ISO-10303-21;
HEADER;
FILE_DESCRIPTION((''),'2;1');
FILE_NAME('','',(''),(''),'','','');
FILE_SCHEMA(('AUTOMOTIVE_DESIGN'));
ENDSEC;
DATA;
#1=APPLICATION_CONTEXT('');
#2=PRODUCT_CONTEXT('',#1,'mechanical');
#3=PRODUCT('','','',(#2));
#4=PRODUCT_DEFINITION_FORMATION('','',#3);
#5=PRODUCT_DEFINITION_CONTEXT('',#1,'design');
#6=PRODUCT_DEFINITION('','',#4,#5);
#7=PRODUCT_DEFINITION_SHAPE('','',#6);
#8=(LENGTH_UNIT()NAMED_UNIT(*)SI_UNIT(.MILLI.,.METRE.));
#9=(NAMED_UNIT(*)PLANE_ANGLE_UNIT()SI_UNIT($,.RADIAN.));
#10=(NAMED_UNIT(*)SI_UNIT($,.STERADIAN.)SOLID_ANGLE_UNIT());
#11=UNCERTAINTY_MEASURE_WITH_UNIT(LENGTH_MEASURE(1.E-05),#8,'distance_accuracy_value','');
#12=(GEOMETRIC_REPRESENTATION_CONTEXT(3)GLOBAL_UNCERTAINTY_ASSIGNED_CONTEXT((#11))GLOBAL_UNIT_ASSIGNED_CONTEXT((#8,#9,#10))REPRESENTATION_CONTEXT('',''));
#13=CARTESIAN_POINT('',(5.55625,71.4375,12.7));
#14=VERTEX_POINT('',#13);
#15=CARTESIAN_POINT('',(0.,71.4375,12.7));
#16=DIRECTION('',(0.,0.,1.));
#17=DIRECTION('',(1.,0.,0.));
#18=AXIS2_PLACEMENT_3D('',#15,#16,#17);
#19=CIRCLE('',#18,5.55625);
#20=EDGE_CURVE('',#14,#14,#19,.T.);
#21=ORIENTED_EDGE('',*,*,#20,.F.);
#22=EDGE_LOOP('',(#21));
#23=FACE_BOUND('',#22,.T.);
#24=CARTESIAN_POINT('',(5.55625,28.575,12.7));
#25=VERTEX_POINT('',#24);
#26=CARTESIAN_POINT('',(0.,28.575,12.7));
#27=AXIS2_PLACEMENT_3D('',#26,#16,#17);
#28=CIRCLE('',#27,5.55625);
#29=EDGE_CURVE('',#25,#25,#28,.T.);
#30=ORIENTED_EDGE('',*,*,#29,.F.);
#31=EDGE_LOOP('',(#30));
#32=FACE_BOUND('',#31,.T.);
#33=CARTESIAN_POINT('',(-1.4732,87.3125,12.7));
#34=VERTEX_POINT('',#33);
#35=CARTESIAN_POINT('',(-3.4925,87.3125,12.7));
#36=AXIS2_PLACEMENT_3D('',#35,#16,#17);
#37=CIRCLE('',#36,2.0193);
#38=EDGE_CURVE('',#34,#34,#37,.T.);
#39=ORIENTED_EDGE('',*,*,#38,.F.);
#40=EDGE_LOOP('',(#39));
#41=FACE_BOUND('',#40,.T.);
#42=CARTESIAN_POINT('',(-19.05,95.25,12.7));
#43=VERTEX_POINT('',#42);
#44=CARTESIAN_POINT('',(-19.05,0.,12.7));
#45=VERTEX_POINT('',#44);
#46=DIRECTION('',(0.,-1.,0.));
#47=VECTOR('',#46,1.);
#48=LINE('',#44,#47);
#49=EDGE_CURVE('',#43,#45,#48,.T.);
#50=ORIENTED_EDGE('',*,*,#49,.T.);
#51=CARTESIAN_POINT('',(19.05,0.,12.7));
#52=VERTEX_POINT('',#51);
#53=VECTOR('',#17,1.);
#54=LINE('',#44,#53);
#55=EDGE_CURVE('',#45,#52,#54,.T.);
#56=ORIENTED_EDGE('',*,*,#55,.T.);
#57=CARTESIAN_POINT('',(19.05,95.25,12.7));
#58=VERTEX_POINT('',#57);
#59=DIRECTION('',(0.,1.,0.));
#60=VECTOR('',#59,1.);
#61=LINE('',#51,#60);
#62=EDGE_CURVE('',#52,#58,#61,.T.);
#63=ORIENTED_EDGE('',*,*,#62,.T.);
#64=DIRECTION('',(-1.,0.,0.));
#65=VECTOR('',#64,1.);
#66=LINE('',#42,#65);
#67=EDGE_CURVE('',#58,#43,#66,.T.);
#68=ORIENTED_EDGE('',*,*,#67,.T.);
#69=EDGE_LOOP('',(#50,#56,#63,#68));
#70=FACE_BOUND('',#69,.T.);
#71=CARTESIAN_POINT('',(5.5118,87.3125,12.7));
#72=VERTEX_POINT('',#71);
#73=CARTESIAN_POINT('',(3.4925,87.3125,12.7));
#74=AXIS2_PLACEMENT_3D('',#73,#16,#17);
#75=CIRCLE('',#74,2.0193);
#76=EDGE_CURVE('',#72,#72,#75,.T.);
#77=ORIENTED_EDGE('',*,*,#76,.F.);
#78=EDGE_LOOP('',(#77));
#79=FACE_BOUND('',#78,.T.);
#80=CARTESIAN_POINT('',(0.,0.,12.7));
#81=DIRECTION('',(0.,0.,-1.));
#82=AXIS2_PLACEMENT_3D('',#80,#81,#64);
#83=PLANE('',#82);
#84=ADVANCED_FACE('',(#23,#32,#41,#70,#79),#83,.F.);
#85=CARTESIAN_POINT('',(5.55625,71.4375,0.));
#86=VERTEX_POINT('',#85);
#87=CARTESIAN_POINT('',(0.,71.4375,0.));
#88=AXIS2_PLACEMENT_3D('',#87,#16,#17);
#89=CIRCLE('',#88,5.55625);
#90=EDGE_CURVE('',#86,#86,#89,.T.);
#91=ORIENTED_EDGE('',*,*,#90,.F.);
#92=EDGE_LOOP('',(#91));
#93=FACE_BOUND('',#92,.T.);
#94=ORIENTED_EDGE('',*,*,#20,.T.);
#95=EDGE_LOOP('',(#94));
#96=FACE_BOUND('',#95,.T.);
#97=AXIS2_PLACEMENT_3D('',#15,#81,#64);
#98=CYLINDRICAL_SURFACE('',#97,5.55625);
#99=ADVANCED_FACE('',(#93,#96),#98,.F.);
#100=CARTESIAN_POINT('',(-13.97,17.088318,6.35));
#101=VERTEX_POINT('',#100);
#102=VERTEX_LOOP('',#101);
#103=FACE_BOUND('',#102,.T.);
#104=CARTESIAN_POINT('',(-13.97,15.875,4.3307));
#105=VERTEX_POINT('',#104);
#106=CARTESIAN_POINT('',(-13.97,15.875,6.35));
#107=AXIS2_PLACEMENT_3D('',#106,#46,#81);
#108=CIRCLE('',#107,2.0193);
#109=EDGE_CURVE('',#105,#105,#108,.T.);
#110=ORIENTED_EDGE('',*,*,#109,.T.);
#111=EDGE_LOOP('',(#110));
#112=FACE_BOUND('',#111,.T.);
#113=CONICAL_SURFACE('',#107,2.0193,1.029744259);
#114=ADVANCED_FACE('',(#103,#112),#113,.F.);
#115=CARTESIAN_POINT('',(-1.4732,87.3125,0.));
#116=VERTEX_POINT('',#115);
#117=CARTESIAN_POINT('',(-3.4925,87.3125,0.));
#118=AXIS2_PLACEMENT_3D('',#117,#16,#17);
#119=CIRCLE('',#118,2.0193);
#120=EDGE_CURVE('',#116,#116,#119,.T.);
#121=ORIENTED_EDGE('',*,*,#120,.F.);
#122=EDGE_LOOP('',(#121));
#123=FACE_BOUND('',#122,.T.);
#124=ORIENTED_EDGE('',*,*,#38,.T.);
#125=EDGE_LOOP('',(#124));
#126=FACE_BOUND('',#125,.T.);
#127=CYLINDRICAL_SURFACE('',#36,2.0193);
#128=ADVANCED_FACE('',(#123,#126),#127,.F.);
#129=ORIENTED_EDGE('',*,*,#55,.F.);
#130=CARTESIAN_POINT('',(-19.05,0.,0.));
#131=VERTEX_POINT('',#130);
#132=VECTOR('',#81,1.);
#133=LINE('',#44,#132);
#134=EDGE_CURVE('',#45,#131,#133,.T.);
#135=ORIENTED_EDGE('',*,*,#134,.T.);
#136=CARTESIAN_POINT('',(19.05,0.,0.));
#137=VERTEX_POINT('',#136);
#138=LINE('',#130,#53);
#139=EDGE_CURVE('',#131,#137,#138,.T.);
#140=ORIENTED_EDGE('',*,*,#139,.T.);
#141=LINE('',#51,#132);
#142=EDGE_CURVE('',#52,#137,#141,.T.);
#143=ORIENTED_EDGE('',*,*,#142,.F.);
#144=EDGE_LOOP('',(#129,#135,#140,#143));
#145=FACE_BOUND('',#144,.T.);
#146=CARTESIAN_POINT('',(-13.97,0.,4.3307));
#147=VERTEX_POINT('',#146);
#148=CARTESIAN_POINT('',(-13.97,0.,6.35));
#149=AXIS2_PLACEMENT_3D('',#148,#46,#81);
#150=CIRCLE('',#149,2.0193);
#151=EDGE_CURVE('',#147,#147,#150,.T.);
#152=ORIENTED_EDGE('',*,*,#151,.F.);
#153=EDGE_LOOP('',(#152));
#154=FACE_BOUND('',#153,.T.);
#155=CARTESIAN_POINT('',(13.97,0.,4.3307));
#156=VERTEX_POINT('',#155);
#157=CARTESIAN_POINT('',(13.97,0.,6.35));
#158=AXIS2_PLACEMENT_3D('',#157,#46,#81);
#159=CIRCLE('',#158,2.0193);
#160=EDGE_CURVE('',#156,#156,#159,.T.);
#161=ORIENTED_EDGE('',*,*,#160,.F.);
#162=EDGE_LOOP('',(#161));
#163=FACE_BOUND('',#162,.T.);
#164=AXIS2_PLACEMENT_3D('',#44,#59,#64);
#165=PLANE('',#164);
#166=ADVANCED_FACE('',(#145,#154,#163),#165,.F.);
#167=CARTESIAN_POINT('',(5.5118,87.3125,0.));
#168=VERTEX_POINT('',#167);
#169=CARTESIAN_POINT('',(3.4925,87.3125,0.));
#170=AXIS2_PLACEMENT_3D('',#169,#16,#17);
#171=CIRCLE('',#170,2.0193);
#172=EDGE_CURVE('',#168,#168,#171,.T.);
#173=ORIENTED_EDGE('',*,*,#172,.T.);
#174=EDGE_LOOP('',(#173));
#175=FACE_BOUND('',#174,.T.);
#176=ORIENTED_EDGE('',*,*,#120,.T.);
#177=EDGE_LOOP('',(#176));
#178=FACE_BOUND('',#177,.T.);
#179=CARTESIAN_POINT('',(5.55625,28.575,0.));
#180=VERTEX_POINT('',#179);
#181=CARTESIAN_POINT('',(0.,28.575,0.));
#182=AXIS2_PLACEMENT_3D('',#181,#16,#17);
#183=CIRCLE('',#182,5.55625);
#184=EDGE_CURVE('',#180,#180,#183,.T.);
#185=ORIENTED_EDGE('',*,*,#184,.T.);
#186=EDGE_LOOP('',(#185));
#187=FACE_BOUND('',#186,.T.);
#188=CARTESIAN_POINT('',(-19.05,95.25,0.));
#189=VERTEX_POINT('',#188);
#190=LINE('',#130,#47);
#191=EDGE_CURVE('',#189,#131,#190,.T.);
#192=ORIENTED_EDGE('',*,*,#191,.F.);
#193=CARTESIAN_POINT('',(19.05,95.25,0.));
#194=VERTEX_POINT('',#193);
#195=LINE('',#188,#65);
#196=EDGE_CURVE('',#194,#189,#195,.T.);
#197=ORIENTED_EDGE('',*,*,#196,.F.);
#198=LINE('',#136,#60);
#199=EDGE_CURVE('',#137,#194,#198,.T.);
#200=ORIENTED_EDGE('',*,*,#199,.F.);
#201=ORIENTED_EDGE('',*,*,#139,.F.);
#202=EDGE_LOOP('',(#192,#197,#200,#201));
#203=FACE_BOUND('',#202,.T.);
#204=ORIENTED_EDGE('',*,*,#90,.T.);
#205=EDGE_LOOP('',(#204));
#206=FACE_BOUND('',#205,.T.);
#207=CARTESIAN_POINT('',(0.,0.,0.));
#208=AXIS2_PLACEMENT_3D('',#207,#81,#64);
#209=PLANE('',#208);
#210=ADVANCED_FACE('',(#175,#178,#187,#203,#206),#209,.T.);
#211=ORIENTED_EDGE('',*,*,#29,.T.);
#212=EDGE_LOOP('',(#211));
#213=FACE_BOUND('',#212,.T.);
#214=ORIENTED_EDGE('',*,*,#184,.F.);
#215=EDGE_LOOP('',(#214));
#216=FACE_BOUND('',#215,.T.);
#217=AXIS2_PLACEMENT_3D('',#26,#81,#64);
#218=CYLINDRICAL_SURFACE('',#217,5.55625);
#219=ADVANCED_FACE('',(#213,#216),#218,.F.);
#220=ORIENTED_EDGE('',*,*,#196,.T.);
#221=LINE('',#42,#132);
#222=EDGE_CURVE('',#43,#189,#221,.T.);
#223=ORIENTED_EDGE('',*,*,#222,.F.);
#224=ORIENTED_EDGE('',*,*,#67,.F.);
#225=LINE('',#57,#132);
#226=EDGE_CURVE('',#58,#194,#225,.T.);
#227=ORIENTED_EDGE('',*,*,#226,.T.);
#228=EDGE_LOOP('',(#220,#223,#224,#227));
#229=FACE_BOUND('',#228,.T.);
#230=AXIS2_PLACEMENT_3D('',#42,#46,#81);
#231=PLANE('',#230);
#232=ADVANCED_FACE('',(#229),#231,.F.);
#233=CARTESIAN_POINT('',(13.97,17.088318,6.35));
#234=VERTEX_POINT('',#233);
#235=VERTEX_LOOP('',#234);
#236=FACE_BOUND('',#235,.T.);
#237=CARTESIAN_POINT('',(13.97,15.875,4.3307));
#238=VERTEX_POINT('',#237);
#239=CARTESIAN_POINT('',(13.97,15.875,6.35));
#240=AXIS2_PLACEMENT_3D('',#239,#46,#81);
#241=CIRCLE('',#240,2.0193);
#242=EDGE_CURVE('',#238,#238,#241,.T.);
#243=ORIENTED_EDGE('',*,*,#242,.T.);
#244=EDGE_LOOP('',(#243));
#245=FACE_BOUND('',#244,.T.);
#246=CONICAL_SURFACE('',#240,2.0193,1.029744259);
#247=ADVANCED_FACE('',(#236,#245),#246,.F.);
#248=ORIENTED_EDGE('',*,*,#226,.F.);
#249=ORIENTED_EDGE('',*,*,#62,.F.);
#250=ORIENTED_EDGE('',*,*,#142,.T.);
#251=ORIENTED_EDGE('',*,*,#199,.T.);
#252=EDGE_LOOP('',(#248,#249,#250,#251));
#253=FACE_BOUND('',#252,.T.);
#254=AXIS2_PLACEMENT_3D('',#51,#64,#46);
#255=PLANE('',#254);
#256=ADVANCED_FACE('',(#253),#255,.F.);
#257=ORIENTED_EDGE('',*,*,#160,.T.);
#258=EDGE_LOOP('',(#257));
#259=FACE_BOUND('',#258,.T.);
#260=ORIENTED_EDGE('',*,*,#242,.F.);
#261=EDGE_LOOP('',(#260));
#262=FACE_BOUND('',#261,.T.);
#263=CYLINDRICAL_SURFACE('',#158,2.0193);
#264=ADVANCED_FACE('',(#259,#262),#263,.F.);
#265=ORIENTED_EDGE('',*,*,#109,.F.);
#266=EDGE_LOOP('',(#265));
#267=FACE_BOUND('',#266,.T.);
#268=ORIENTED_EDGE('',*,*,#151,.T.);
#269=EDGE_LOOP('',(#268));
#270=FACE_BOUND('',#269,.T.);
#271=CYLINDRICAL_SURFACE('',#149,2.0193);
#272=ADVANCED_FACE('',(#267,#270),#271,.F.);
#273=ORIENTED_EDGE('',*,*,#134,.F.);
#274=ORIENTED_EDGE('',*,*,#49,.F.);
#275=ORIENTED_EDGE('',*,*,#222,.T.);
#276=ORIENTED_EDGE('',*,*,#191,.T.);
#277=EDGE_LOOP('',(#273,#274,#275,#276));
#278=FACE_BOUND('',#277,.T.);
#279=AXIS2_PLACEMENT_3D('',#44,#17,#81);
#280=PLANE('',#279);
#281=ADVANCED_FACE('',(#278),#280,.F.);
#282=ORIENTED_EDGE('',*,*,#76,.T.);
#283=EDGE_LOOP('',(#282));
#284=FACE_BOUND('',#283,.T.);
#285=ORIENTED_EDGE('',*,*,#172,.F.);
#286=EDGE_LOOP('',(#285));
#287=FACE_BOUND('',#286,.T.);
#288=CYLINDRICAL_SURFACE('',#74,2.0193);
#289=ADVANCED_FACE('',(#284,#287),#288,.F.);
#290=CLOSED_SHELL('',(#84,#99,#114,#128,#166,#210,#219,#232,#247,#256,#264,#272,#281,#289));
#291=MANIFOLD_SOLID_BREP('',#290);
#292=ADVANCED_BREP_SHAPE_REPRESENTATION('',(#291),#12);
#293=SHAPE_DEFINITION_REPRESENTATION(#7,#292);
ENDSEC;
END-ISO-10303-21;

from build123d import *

# Parameters (mm, degrees)
SKETCH1_W                  = 38.1
SKETCH1_H                  = 95.25
SKETCH1_R                  = 5.55625
BOSS_EXTRUDE1_DEPTH        = 12.7
F_10_32_TAPPED_HOLE1_D     = 4.0386
F_10_32_TAPPED_HOLE1_DEPTH = 15.875
F_10_32_TAPPED_HOLE1_TIP   = 1.213317848
F_10_32_TAPPED_HOLE2_D     = 4.0386


with BuildPart() as part:
    # Sketch1 → Boss-Extrude1 (new body)
    with BuildSketch(Plane.XY):
        with Locations((0, 47.625)):
            Rectangle(SKETCH1_W, SKETCH1_H)
        with Locations((0, 28.575)):
            Circle(SKETCH1_R, mode=Mode.SUBTRACT)
        with Locations((0, 71.4375)):
            Circle(SKETCH1_R, mode=Mode.SUBTRACT)
    extrude(amount=BOSS_EXTRUDE1_DEPTH)

    # #10-32 Tapped Hole1
    with Locations(Plane(origin=(0, 0, 0), x_dir=(-1, 0, 0), z_dir=(0, -1, 0))):
        with Locations((13.97, -6.35), (-13.97, -6.35)):
            Hole(F_10_32_TAPPED_HOLE1_D / 2, depth=F_10_32_TAPPED_HOLE1_DEPTH)
            with Locations((0, 0, -(F_10_32_TAPPED_HOLE1_DEPTH + F_10_32_TAPPED_HOLE1_TIP / 2))):  # 118° drill point
                Cone(0, F_10_32_TAPPED_HOLE1_D / 2, F_10_32_TAPPED_HOLE1_TIP, mode=Mode.SUBTRACT)

    # #10-32 Tapped Hole2 (through all)
    with Locations(Plane.XY.offset(12.7)):
        with Locations((-3.4925, 87.3125), (3.4925, 87.3125)):
            Hole(F_10_32_TAPPED_HOLE2_D / 2)


solid = part.part
